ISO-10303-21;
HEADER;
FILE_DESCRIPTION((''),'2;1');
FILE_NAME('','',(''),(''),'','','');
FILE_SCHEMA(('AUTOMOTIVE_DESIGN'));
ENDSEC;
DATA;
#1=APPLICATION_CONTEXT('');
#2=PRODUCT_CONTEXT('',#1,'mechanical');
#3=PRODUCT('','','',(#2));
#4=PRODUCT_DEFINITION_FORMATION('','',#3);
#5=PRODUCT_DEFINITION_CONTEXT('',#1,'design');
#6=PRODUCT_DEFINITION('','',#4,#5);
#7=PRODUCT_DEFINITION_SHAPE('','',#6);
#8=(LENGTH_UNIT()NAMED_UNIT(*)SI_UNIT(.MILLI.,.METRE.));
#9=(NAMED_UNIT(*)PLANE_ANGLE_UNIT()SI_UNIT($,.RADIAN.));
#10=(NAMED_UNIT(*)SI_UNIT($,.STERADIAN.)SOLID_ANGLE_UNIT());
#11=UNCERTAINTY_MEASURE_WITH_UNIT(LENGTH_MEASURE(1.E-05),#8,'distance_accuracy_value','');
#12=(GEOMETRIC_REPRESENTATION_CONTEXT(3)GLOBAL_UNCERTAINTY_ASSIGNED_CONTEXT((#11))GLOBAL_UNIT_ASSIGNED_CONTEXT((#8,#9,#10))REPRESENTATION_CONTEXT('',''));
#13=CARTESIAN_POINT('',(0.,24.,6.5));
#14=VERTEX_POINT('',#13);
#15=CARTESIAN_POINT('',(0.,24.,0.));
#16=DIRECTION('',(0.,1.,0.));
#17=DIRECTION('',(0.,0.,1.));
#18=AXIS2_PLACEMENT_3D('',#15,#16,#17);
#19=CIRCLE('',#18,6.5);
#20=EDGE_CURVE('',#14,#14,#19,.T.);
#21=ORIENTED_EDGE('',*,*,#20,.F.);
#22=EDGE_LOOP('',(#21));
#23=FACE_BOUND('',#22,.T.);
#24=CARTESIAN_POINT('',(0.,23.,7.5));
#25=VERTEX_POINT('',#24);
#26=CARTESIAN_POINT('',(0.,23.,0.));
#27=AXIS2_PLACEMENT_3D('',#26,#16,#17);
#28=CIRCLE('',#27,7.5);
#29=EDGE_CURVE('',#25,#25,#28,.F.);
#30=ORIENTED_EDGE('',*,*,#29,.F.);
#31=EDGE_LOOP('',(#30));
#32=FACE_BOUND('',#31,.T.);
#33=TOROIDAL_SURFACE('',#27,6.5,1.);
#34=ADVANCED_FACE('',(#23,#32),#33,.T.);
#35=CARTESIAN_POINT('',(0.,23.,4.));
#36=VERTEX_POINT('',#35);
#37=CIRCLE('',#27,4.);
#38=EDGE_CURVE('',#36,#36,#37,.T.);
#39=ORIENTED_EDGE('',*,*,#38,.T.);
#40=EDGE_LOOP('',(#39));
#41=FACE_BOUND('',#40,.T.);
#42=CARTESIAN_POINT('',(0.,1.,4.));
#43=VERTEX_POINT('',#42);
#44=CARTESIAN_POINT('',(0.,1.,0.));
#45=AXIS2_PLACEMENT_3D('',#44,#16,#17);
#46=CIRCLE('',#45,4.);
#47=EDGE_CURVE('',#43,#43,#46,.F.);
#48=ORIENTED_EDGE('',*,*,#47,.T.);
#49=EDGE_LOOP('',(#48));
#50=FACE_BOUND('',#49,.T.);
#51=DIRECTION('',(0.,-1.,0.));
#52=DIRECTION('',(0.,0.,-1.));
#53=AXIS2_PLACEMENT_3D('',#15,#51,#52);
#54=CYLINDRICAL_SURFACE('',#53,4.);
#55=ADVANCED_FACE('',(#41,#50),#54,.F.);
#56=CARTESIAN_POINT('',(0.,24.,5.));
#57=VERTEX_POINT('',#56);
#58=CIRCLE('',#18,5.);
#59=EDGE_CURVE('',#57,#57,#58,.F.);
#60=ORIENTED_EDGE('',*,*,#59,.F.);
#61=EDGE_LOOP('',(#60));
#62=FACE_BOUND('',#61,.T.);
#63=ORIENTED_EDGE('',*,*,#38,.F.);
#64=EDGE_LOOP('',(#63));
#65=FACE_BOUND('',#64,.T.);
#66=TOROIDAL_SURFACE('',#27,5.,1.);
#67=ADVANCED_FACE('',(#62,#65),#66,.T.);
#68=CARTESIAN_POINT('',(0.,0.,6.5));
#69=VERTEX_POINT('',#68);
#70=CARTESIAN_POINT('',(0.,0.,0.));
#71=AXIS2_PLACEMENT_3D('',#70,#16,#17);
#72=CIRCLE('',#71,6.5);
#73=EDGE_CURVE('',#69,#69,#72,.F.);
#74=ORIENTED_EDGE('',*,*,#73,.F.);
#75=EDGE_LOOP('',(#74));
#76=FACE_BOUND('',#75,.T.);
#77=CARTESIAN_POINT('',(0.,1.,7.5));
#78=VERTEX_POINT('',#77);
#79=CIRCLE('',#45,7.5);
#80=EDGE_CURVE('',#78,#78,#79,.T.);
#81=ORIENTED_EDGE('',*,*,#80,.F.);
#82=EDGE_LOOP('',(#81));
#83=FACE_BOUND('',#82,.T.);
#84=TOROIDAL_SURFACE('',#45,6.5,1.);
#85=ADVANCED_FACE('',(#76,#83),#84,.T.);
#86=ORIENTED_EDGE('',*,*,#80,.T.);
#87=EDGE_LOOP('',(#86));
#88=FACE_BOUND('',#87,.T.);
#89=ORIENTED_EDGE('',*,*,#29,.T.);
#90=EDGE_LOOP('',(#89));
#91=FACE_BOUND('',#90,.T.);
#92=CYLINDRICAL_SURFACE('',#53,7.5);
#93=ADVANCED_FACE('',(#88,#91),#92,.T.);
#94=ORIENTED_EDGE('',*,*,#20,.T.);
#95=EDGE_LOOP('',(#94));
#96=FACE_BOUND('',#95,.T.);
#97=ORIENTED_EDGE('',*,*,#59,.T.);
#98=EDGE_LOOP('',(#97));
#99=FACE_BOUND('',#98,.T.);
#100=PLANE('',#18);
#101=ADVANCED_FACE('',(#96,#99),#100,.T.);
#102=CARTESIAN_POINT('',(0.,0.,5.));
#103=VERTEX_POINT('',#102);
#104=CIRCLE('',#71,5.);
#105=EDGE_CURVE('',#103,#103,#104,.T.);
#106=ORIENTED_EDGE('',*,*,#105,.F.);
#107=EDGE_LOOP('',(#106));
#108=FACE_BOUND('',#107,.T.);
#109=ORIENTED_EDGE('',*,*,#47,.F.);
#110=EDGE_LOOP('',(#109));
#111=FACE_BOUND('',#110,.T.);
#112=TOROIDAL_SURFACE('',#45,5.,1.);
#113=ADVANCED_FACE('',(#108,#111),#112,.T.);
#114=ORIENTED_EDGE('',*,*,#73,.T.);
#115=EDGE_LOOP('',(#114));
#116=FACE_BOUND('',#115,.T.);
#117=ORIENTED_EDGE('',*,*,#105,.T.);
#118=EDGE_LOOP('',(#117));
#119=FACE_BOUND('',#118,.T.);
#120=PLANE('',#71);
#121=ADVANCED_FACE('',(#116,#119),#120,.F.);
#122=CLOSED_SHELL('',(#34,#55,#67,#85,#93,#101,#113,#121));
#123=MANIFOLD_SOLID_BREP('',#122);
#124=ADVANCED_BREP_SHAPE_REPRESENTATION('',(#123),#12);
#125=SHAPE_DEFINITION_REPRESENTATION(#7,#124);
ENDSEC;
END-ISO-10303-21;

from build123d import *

# Parameters (mm, degrees)
SKETCH1_R           = 7.5
SKETCH1_R_2         = 4
BOSS_EXTRUDE1_DEPTH = 24
FILLET2_R           = 1


with BuildPart() as part:
    # Sketch1 → Boss-Extrude1 (new body)
    with BuildSketch(Plane(origin=(0, 0, 0), x_dir=(1, 0, 0), z_dir=(0, 1, 0))):
        with Locations(Location((0, 0, 0), (0, 0, 270))):  # turned: the seam where the file's is
            Circle(SKETCH1_R)
        with Locations(Location((0, 0, 0), (0, 0, 270))):  # turned: the seam where the file's is
            Circle(SKETCH1_R_2, mode=Mode.SUBTRACT)
    extrude(amount=BOSS_EXTRUDE1_DEPTH)

    # Fillet2
    fillet2_edges = [part.edges().sort_by_distance(p)[0] for p in [
        (0, 0, -7.5),
        (0, 24, -7.5),
        (0, 0, -4),
        (0, 24, -4),
    ]]
    fillet(fillet2_edges, radius=FILLET2_R)


solid = part.part
